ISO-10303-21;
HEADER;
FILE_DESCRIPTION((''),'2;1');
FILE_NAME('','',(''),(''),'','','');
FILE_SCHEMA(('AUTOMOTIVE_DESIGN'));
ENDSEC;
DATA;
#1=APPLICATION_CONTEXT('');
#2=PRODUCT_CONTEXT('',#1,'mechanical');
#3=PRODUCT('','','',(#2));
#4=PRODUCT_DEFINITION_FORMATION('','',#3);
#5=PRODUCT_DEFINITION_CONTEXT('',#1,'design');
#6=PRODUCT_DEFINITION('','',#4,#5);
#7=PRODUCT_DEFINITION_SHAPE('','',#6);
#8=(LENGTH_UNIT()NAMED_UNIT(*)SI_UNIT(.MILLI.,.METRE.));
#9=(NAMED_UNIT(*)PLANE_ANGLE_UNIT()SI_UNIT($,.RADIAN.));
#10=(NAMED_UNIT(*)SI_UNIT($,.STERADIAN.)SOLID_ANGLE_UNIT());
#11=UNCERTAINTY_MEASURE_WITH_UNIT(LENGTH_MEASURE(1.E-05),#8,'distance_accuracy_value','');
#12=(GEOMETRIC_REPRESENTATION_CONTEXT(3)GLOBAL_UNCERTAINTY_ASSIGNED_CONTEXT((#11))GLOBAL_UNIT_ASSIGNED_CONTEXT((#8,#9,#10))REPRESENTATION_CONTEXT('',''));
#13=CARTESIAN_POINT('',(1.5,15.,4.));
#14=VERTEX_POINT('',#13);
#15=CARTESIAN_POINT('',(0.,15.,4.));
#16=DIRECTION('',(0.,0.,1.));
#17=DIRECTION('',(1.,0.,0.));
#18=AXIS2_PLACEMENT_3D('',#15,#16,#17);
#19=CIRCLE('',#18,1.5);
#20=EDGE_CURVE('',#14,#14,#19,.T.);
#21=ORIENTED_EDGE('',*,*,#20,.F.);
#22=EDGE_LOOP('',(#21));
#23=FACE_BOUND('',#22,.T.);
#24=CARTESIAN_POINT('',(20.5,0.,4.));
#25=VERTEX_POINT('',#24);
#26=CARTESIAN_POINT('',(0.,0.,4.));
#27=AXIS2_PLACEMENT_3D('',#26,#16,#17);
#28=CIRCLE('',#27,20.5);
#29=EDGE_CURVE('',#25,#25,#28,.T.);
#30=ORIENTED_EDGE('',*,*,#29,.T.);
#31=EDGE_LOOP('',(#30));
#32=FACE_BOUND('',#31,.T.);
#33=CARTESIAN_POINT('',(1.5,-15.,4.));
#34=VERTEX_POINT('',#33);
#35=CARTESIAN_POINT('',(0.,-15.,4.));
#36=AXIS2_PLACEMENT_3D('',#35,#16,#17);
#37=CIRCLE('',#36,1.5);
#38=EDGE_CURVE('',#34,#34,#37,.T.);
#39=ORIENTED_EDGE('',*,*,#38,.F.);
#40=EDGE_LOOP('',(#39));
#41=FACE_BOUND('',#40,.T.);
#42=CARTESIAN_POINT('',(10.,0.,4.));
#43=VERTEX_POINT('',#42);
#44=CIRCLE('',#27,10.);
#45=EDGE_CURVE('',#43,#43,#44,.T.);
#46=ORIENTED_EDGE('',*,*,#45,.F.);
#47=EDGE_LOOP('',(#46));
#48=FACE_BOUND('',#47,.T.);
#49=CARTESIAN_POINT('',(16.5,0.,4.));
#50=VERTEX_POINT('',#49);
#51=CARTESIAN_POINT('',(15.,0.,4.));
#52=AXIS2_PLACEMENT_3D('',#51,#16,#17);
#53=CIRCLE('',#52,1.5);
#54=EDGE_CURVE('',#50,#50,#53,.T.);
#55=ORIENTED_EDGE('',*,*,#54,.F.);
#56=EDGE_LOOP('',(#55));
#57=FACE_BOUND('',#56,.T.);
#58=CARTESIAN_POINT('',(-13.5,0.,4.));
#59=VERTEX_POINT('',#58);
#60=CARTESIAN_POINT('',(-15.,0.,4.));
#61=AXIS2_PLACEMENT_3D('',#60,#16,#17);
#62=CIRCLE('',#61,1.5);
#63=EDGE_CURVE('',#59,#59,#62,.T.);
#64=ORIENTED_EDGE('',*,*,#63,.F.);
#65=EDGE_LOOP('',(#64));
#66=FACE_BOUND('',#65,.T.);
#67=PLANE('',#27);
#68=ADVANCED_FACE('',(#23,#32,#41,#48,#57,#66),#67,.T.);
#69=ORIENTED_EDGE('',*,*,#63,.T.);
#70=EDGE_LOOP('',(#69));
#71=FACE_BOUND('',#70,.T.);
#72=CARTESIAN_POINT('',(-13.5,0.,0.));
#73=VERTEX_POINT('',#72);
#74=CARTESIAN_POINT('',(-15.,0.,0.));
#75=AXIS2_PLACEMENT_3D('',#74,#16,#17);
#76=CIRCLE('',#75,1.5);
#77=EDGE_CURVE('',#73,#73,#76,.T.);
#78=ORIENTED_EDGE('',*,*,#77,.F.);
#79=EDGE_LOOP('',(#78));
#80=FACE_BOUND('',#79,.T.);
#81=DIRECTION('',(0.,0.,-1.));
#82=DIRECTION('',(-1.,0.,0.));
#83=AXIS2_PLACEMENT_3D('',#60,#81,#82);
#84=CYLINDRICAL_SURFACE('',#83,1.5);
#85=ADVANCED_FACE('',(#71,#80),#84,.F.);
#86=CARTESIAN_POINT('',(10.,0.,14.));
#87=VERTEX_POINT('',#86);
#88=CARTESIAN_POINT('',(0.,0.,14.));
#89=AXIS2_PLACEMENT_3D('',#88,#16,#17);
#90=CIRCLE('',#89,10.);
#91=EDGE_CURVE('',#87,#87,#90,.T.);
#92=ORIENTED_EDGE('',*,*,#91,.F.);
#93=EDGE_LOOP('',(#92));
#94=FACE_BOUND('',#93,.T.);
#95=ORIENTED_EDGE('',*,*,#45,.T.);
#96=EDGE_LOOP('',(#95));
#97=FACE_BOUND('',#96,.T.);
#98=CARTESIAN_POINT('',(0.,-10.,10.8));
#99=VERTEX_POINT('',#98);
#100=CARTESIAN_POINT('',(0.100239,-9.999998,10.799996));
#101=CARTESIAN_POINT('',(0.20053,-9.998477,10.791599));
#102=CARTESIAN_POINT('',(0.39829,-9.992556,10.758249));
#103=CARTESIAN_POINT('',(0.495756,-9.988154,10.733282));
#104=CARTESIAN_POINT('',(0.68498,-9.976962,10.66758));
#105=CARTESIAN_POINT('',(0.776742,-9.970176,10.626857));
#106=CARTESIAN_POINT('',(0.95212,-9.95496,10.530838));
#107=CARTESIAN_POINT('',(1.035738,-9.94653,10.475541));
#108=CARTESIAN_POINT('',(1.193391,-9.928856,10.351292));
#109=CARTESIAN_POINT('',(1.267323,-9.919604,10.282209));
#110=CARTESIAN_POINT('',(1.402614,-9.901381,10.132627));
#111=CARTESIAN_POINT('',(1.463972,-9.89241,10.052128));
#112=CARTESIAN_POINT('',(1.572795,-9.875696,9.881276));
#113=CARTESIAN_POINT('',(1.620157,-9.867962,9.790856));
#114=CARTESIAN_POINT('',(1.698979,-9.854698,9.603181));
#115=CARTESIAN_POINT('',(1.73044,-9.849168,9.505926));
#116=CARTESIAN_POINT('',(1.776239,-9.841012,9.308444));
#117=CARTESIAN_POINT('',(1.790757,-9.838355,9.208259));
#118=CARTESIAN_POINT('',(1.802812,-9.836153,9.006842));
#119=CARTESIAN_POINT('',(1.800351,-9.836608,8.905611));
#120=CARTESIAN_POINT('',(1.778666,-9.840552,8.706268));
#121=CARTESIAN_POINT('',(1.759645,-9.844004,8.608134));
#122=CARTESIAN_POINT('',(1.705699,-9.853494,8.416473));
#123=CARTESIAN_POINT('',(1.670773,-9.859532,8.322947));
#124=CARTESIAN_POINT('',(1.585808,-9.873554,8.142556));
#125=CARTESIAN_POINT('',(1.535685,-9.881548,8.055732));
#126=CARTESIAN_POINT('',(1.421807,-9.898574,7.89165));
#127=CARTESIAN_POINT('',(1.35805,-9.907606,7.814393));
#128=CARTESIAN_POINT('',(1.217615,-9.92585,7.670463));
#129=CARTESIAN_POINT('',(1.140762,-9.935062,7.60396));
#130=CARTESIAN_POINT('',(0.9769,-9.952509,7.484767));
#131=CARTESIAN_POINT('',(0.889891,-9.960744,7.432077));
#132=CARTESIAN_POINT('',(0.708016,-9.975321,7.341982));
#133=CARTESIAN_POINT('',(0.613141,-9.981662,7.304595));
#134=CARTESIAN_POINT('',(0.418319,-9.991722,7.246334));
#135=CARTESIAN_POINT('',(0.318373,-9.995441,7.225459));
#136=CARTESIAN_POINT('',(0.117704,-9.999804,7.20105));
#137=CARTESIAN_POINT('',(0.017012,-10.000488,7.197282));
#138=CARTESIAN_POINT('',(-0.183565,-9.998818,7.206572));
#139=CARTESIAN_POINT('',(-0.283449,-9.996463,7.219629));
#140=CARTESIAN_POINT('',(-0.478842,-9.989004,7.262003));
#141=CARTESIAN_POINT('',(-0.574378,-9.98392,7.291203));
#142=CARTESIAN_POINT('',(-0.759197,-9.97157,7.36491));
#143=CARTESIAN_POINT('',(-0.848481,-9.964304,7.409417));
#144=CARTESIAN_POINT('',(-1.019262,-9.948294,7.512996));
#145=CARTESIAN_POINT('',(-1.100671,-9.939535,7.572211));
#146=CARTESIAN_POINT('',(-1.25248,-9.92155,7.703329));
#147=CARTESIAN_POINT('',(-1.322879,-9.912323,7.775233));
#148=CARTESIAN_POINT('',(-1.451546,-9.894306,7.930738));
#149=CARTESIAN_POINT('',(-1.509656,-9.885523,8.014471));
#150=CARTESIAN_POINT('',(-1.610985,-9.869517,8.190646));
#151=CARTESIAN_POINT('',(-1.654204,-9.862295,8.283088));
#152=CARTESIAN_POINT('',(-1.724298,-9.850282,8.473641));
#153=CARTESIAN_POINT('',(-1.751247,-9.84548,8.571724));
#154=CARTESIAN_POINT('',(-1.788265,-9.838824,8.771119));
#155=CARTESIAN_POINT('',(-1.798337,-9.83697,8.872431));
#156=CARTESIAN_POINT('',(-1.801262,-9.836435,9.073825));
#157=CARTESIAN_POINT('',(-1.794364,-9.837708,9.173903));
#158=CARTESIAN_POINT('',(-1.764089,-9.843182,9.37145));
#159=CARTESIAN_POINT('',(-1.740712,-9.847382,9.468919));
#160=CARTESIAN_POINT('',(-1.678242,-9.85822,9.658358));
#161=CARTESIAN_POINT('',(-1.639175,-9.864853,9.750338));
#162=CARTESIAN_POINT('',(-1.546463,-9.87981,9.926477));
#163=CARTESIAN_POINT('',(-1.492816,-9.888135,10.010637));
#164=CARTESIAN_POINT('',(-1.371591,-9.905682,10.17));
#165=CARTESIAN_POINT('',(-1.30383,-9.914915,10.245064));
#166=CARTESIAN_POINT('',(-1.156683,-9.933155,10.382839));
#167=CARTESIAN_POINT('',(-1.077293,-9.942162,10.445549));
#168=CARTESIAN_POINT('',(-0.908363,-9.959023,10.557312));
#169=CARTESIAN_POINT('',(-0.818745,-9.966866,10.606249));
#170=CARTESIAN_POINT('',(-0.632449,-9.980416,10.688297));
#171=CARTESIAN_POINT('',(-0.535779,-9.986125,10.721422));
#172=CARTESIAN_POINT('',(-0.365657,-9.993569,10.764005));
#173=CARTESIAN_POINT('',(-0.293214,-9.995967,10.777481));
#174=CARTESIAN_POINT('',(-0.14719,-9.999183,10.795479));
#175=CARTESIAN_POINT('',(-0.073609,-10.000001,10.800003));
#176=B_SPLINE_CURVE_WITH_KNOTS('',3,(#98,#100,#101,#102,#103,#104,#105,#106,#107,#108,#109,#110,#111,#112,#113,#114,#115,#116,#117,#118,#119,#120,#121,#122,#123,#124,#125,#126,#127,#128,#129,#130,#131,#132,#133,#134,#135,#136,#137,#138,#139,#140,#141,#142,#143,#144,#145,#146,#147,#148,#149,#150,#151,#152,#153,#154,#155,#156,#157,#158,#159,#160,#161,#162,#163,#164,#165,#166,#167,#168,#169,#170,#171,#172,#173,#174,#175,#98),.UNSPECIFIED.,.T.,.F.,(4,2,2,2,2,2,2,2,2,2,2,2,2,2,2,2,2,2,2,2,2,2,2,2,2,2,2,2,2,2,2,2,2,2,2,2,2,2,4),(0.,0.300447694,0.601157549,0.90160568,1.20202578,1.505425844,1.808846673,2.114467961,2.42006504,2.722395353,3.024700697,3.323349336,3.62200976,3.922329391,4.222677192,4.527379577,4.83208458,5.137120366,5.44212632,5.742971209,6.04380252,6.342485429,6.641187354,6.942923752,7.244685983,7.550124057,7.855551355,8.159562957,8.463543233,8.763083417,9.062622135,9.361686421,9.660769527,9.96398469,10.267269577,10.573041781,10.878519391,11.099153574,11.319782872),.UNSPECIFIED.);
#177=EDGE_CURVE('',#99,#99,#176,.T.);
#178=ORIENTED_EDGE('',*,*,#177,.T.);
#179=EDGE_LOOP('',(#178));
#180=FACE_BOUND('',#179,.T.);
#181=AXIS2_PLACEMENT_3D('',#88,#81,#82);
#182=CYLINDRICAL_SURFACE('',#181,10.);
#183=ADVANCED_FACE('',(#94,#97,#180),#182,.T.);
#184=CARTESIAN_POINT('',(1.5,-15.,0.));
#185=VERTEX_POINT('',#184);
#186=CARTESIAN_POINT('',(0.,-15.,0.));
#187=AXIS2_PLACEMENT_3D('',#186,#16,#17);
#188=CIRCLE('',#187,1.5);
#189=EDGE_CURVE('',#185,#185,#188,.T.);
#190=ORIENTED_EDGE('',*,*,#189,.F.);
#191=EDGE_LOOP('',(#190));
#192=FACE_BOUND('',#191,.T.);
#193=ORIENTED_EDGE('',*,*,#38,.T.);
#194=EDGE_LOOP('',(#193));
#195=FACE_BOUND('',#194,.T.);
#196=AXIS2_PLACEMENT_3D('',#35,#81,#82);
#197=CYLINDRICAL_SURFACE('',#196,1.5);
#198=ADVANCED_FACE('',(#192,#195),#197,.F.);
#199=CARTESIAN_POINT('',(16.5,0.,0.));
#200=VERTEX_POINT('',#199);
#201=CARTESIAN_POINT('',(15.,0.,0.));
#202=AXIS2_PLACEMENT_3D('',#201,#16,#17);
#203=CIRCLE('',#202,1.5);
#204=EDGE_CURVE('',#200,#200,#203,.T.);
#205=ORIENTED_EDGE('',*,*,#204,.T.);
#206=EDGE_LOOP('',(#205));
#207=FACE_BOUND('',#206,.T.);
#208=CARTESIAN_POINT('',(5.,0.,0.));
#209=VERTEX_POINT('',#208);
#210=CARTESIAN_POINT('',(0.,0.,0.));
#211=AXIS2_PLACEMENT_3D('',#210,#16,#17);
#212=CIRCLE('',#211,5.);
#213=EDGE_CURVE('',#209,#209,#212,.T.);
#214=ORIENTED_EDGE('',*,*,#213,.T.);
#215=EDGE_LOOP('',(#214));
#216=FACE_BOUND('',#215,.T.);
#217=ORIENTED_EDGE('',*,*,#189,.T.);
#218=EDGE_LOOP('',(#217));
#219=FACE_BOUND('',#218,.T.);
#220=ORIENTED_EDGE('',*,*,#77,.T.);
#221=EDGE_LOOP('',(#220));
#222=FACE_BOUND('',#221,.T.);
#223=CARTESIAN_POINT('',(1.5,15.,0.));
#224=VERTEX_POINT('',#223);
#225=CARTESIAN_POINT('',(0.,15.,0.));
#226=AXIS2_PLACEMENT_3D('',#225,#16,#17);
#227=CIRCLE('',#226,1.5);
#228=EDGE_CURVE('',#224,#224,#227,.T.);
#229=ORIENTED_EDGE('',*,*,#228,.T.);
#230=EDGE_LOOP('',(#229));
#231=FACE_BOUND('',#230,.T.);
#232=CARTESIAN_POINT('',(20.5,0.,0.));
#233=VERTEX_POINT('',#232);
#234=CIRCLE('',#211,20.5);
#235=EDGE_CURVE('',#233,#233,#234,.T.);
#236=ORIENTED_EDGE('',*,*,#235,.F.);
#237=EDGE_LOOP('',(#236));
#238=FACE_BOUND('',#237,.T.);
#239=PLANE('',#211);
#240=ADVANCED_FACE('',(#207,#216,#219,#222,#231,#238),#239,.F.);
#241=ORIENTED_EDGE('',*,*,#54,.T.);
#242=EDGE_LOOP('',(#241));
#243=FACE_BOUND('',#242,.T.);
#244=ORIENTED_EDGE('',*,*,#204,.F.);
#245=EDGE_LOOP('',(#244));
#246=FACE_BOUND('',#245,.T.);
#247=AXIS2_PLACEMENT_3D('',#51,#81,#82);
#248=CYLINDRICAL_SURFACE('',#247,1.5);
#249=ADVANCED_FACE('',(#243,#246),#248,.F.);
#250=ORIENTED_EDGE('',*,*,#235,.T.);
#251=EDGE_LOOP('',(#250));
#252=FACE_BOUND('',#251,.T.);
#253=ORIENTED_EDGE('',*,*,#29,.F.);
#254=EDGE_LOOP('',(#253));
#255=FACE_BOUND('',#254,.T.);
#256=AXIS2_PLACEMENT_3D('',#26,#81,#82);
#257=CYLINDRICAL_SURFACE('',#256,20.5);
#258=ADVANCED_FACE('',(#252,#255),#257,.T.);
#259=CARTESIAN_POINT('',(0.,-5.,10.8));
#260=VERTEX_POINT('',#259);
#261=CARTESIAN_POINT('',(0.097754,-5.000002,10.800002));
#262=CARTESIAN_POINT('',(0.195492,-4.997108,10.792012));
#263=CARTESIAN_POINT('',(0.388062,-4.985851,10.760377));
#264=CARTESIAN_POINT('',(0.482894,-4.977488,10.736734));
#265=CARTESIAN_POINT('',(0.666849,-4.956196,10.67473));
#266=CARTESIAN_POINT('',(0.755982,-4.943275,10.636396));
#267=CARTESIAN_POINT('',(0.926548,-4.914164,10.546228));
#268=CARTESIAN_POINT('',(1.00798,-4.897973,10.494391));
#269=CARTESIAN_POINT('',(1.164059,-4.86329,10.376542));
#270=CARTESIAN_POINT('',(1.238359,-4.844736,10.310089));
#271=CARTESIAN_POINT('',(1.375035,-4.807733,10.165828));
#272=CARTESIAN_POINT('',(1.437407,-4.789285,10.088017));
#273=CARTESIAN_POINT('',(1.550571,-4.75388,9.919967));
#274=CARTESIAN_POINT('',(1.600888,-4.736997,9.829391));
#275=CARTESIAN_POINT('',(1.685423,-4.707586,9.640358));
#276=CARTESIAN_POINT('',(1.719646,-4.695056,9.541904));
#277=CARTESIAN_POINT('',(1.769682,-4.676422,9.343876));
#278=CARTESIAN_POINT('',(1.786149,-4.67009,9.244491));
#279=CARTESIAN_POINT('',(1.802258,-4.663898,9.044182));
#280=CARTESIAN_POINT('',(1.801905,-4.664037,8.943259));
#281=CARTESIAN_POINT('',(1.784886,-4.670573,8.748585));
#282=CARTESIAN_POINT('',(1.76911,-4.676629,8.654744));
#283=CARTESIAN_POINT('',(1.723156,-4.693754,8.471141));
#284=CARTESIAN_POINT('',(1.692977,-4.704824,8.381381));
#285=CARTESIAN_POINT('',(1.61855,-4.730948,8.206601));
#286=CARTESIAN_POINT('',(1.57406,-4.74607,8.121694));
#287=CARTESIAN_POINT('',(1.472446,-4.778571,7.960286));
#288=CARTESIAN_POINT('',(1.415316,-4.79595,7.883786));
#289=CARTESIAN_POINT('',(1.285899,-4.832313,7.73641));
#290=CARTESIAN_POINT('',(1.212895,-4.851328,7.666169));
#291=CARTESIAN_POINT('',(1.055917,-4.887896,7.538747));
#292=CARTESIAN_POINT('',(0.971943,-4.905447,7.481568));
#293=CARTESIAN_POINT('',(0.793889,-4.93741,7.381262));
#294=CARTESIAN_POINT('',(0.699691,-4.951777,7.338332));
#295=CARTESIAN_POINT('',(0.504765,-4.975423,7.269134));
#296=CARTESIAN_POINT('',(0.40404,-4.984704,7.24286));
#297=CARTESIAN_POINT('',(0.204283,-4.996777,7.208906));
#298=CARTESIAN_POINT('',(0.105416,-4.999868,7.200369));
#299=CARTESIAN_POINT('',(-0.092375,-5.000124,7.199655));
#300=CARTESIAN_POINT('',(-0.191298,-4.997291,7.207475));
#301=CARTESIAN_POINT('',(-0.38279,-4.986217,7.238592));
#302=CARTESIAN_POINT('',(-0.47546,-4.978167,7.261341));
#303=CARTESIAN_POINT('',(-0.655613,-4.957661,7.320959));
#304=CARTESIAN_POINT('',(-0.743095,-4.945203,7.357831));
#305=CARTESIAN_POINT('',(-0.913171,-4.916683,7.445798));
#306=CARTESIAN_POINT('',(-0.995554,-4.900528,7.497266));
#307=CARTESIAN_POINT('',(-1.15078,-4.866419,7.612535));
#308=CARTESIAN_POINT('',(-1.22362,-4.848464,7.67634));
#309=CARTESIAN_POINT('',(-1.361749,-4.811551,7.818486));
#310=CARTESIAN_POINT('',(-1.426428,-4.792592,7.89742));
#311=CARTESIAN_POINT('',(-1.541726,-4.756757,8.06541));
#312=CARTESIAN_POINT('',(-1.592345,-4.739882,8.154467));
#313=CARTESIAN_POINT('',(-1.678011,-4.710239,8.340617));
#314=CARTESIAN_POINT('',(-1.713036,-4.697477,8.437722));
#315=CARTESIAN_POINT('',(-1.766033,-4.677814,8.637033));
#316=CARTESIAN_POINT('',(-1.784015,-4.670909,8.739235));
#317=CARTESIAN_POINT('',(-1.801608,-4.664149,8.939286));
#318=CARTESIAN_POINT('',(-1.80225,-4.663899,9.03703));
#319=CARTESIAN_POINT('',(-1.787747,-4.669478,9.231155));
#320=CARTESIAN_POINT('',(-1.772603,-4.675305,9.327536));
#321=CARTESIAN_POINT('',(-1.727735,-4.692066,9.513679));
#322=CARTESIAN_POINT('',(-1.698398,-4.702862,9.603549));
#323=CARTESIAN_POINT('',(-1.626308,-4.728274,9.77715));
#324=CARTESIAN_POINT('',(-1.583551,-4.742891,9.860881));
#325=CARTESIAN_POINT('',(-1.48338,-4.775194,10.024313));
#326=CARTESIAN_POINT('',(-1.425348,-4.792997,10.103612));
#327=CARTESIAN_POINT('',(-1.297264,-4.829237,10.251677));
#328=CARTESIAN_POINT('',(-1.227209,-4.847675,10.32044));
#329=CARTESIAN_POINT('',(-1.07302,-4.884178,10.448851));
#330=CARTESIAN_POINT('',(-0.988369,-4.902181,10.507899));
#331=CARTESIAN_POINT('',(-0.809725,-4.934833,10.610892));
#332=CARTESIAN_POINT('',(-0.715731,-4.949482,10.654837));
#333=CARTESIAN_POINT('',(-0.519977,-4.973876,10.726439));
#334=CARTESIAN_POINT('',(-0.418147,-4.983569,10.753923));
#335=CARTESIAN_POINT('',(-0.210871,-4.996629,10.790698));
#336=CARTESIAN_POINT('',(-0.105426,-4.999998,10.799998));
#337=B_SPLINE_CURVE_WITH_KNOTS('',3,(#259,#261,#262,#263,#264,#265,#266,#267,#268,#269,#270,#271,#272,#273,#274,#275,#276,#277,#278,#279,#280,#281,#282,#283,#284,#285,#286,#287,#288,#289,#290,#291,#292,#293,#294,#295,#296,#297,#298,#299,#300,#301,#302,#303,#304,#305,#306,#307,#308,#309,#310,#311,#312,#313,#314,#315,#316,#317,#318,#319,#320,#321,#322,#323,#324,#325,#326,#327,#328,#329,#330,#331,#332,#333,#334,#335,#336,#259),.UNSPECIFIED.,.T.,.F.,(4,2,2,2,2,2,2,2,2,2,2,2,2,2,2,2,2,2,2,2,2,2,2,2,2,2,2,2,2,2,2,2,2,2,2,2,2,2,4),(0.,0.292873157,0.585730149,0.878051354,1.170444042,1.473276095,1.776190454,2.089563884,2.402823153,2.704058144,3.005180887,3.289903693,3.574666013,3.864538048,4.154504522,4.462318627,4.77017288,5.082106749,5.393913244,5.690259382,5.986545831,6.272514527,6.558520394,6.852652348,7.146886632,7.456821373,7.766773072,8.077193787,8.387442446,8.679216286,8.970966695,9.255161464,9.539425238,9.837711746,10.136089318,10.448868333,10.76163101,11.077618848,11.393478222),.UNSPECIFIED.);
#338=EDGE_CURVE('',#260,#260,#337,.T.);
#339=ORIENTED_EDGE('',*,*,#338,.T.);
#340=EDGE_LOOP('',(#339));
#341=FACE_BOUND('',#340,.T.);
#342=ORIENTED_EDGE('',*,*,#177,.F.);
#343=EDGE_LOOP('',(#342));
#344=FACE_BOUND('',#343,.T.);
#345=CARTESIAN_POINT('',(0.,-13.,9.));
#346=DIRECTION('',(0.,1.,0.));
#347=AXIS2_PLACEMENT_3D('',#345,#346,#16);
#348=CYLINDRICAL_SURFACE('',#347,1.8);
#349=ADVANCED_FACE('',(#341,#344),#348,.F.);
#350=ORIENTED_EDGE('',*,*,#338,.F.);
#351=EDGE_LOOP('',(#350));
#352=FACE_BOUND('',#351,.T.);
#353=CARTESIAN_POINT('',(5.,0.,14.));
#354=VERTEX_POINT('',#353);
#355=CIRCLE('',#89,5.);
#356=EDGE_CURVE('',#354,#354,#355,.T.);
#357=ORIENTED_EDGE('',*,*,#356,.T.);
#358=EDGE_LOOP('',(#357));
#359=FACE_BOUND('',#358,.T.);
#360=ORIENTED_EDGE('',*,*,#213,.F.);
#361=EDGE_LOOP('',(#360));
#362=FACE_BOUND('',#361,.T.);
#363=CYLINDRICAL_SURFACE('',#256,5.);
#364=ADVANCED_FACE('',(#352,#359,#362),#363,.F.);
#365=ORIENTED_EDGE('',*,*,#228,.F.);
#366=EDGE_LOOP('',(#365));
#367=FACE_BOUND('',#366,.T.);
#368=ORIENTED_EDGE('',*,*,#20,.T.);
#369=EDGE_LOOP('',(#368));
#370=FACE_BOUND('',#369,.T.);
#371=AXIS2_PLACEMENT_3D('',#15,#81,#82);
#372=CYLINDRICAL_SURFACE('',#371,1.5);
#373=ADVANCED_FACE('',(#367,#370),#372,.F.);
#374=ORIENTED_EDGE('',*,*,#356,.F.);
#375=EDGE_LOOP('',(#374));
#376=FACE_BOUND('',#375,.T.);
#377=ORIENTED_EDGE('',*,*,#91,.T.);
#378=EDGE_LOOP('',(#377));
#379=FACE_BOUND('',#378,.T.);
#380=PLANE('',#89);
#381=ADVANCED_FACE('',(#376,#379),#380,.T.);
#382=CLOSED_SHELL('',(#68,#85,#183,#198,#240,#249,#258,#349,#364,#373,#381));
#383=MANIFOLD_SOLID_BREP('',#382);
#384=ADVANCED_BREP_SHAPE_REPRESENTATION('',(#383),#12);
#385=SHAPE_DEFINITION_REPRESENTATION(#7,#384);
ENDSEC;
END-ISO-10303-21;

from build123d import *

# Parameters (mm, degrees)
EXTRUDE_1_DEPTH     = 4
SKETCH_2_R          = 10
SKETCH_2_R_2        = 5
EXTRUDE_2_DEPTH     = 10
SKETCH_3_R          = 1.8
CUT_EXTRUDE_1_DEPTH = 13


with BuildPart() as part:
    # 草图1 → 凸台-拉伸1 (new body)
    with BuildSketch(Plane.XY):
        with BuildLine():
            ThreePointArc((-20.5, 0), (0, -20.5), (20.5, 0))
            ThreePointArc((20.5, 0), (0, 20.5), (-20.5, 0))
        make_face()
        with BuildLine():
            ThreePointArc((-16.5, 0), (-15, -1.5), (-13.5, 0))
            ThreePointArc((-13.5, 0), (-15, 1.5), (-16.5, 0))
        make_face(mode=Mode.SUBTRACT)
        with BuildLine():
            ThreePointArc((-1.5, -15), (0, -16.5), (1.5, -15))
            ThreePointArc((1.5, -15), (0, -13.5), (-1.5, -15))
        make_face(mode=Mode.SUBTRACT)
        with BuildLine():
            ThreePointArc((13.5, 0), (15, -1.5), (16.5, 0))
            ThreePointArc((16.5, 0), (15, 1.5), (13.5, 0))
        make_face(mode=Mode.SUBTRACT)
        with BuildLine():
            ThreePointArc((-1.5, 15), (0, 13.5), (1.5, 15))
            ThreePointArc((1.5, 15), (0, 16.5), (-1.5, 15))
        make_face(mode=Mode.SUBTRACT)
        with BuildLine():
            ThreePointArc((-5, 0), (0, -5), (5, 0))
            ThreePointArc((5, 0), (0, 5), (-5, 0))
        make_face(mode=Mode.SUBTRACT)
    extrude(amount=EXTRUDE_1_DEPTH)

    # 草图2 → 凸台-拉伸2 (add)
    with BuildSketch(Plane.XY.offset(4)):
        Circle(SKETCH_2_R)
        Circle(SKETCH_2_R_2, mode=Mode.SUBTRACT)
    extrude(amount=EXTRUDE_2_DEPTH)

    # 草图3 → 切除-拉伸1 (cut)
    with BuildSketch(Plane(origin=(0, 0, 0), x_dir=(1, 0, 0), z_dir=(0, 1, 0))):
        with Locations(Location((0, -9, 0), (0, 0, 270))):
            Circle(SKETCH_3_R)
    extrude(amount=-CUT_EXTRUDE_1_DEPTH, mode=Mode.SUBTRACT)


solid = part.part
